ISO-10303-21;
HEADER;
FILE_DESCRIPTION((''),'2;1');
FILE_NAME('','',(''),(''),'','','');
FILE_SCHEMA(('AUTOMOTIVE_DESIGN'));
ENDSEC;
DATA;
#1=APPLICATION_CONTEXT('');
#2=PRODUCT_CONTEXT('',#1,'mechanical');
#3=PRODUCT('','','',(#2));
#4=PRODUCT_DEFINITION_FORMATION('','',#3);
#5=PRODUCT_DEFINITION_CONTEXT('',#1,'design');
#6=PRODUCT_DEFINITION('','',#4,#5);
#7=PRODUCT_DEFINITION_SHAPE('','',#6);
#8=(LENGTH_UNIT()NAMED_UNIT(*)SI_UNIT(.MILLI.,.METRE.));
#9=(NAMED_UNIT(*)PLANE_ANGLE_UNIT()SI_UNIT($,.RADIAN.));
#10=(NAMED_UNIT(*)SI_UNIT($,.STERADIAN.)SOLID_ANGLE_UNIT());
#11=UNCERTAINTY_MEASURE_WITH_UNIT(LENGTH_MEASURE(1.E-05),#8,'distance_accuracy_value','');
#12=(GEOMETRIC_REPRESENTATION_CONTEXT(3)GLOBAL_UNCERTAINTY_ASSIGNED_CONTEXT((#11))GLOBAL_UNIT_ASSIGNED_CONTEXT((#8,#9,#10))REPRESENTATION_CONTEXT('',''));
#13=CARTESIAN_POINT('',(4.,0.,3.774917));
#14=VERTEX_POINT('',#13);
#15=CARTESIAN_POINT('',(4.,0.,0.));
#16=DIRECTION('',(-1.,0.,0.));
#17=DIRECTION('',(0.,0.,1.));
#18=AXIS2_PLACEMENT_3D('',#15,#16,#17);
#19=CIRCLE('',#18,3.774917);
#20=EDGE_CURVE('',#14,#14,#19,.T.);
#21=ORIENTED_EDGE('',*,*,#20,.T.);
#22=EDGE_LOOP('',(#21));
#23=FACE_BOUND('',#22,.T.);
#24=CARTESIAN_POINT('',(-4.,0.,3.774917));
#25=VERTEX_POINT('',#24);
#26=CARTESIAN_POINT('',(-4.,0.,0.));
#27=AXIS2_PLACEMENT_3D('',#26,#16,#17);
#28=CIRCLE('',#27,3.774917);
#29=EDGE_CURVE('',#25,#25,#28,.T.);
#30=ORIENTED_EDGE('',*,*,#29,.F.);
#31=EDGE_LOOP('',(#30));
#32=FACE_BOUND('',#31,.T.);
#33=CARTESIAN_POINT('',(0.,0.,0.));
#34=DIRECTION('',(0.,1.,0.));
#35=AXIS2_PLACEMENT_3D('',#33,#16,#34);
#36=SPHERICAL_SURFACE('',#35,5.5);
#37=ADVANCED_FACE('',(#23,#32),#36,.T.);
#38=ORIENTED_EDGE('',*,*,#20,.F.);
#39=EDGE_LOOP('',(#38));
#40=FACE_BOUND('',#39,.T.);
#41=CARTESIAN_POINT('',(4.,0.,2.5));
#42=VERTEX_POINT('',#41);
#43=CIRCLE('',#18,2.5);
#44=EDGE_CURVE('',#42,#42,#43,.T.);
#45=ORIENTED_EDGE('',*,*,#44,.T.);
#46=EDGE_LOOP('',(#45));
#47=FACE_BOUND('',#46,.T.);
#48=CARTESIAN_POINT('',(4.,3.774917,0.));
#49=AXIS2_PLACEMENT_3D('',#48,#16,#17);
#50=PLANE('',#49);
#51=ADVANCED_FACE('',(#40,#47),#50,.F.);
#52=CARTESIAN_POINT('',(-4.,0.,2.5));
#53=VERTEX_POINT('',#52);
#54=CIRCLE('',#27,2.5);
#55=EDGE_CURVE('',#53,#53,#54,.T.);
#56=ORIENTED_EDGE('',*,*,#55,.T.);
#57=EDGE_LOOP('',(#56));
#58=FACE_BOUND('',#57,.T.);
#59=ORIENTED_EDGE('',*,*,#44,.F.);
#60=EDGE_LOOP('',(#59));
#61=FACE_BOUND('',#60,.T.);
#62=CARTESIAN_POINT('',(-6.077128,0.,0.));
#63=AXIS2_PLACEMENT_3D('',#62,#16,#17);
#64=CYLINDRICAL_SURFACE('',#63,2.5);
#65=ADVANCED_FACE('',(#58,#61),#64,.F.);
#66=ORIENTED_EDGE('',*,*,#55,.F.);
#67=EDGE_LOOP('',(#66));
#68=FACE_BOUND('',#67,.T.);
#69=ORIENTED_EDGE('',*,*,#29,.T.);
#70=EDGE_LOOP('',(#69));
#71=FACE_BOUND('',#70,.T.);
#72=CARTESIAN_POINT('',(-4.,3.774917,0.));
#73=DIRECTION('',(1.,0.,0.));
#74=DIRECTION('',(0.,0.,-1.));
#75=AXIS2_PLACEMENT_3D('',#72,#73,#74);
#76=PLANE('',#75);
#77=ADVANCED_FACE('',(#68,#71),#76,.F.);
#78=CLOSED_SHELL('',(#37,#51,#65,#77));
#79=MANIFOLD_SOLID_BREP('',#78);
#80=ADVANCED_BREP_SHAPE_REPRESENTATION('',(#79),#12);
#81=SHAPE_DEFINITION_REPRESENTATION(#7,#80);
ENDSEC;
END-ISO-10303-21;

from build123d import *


with BuildPart() as part:
    # Sketch1 → Revolve1 (revolve)
    with BuildSketch(Plane.XY):
        with BuildLine():
            Line((-4, 3.774917218), (-4, 2.5))
            Line((-4, 2.5), (4, 2.5))
            Line((4, 2.5), (4, 3.774917218))
            ThreePointArc((4, 3.774917218), (0, 5.5), (-4, 3.774917218))
        make_face()
    revolve(axis=Axis((-6.07712766, 0, 0), (1, 0, 0)))


solid = part.part
